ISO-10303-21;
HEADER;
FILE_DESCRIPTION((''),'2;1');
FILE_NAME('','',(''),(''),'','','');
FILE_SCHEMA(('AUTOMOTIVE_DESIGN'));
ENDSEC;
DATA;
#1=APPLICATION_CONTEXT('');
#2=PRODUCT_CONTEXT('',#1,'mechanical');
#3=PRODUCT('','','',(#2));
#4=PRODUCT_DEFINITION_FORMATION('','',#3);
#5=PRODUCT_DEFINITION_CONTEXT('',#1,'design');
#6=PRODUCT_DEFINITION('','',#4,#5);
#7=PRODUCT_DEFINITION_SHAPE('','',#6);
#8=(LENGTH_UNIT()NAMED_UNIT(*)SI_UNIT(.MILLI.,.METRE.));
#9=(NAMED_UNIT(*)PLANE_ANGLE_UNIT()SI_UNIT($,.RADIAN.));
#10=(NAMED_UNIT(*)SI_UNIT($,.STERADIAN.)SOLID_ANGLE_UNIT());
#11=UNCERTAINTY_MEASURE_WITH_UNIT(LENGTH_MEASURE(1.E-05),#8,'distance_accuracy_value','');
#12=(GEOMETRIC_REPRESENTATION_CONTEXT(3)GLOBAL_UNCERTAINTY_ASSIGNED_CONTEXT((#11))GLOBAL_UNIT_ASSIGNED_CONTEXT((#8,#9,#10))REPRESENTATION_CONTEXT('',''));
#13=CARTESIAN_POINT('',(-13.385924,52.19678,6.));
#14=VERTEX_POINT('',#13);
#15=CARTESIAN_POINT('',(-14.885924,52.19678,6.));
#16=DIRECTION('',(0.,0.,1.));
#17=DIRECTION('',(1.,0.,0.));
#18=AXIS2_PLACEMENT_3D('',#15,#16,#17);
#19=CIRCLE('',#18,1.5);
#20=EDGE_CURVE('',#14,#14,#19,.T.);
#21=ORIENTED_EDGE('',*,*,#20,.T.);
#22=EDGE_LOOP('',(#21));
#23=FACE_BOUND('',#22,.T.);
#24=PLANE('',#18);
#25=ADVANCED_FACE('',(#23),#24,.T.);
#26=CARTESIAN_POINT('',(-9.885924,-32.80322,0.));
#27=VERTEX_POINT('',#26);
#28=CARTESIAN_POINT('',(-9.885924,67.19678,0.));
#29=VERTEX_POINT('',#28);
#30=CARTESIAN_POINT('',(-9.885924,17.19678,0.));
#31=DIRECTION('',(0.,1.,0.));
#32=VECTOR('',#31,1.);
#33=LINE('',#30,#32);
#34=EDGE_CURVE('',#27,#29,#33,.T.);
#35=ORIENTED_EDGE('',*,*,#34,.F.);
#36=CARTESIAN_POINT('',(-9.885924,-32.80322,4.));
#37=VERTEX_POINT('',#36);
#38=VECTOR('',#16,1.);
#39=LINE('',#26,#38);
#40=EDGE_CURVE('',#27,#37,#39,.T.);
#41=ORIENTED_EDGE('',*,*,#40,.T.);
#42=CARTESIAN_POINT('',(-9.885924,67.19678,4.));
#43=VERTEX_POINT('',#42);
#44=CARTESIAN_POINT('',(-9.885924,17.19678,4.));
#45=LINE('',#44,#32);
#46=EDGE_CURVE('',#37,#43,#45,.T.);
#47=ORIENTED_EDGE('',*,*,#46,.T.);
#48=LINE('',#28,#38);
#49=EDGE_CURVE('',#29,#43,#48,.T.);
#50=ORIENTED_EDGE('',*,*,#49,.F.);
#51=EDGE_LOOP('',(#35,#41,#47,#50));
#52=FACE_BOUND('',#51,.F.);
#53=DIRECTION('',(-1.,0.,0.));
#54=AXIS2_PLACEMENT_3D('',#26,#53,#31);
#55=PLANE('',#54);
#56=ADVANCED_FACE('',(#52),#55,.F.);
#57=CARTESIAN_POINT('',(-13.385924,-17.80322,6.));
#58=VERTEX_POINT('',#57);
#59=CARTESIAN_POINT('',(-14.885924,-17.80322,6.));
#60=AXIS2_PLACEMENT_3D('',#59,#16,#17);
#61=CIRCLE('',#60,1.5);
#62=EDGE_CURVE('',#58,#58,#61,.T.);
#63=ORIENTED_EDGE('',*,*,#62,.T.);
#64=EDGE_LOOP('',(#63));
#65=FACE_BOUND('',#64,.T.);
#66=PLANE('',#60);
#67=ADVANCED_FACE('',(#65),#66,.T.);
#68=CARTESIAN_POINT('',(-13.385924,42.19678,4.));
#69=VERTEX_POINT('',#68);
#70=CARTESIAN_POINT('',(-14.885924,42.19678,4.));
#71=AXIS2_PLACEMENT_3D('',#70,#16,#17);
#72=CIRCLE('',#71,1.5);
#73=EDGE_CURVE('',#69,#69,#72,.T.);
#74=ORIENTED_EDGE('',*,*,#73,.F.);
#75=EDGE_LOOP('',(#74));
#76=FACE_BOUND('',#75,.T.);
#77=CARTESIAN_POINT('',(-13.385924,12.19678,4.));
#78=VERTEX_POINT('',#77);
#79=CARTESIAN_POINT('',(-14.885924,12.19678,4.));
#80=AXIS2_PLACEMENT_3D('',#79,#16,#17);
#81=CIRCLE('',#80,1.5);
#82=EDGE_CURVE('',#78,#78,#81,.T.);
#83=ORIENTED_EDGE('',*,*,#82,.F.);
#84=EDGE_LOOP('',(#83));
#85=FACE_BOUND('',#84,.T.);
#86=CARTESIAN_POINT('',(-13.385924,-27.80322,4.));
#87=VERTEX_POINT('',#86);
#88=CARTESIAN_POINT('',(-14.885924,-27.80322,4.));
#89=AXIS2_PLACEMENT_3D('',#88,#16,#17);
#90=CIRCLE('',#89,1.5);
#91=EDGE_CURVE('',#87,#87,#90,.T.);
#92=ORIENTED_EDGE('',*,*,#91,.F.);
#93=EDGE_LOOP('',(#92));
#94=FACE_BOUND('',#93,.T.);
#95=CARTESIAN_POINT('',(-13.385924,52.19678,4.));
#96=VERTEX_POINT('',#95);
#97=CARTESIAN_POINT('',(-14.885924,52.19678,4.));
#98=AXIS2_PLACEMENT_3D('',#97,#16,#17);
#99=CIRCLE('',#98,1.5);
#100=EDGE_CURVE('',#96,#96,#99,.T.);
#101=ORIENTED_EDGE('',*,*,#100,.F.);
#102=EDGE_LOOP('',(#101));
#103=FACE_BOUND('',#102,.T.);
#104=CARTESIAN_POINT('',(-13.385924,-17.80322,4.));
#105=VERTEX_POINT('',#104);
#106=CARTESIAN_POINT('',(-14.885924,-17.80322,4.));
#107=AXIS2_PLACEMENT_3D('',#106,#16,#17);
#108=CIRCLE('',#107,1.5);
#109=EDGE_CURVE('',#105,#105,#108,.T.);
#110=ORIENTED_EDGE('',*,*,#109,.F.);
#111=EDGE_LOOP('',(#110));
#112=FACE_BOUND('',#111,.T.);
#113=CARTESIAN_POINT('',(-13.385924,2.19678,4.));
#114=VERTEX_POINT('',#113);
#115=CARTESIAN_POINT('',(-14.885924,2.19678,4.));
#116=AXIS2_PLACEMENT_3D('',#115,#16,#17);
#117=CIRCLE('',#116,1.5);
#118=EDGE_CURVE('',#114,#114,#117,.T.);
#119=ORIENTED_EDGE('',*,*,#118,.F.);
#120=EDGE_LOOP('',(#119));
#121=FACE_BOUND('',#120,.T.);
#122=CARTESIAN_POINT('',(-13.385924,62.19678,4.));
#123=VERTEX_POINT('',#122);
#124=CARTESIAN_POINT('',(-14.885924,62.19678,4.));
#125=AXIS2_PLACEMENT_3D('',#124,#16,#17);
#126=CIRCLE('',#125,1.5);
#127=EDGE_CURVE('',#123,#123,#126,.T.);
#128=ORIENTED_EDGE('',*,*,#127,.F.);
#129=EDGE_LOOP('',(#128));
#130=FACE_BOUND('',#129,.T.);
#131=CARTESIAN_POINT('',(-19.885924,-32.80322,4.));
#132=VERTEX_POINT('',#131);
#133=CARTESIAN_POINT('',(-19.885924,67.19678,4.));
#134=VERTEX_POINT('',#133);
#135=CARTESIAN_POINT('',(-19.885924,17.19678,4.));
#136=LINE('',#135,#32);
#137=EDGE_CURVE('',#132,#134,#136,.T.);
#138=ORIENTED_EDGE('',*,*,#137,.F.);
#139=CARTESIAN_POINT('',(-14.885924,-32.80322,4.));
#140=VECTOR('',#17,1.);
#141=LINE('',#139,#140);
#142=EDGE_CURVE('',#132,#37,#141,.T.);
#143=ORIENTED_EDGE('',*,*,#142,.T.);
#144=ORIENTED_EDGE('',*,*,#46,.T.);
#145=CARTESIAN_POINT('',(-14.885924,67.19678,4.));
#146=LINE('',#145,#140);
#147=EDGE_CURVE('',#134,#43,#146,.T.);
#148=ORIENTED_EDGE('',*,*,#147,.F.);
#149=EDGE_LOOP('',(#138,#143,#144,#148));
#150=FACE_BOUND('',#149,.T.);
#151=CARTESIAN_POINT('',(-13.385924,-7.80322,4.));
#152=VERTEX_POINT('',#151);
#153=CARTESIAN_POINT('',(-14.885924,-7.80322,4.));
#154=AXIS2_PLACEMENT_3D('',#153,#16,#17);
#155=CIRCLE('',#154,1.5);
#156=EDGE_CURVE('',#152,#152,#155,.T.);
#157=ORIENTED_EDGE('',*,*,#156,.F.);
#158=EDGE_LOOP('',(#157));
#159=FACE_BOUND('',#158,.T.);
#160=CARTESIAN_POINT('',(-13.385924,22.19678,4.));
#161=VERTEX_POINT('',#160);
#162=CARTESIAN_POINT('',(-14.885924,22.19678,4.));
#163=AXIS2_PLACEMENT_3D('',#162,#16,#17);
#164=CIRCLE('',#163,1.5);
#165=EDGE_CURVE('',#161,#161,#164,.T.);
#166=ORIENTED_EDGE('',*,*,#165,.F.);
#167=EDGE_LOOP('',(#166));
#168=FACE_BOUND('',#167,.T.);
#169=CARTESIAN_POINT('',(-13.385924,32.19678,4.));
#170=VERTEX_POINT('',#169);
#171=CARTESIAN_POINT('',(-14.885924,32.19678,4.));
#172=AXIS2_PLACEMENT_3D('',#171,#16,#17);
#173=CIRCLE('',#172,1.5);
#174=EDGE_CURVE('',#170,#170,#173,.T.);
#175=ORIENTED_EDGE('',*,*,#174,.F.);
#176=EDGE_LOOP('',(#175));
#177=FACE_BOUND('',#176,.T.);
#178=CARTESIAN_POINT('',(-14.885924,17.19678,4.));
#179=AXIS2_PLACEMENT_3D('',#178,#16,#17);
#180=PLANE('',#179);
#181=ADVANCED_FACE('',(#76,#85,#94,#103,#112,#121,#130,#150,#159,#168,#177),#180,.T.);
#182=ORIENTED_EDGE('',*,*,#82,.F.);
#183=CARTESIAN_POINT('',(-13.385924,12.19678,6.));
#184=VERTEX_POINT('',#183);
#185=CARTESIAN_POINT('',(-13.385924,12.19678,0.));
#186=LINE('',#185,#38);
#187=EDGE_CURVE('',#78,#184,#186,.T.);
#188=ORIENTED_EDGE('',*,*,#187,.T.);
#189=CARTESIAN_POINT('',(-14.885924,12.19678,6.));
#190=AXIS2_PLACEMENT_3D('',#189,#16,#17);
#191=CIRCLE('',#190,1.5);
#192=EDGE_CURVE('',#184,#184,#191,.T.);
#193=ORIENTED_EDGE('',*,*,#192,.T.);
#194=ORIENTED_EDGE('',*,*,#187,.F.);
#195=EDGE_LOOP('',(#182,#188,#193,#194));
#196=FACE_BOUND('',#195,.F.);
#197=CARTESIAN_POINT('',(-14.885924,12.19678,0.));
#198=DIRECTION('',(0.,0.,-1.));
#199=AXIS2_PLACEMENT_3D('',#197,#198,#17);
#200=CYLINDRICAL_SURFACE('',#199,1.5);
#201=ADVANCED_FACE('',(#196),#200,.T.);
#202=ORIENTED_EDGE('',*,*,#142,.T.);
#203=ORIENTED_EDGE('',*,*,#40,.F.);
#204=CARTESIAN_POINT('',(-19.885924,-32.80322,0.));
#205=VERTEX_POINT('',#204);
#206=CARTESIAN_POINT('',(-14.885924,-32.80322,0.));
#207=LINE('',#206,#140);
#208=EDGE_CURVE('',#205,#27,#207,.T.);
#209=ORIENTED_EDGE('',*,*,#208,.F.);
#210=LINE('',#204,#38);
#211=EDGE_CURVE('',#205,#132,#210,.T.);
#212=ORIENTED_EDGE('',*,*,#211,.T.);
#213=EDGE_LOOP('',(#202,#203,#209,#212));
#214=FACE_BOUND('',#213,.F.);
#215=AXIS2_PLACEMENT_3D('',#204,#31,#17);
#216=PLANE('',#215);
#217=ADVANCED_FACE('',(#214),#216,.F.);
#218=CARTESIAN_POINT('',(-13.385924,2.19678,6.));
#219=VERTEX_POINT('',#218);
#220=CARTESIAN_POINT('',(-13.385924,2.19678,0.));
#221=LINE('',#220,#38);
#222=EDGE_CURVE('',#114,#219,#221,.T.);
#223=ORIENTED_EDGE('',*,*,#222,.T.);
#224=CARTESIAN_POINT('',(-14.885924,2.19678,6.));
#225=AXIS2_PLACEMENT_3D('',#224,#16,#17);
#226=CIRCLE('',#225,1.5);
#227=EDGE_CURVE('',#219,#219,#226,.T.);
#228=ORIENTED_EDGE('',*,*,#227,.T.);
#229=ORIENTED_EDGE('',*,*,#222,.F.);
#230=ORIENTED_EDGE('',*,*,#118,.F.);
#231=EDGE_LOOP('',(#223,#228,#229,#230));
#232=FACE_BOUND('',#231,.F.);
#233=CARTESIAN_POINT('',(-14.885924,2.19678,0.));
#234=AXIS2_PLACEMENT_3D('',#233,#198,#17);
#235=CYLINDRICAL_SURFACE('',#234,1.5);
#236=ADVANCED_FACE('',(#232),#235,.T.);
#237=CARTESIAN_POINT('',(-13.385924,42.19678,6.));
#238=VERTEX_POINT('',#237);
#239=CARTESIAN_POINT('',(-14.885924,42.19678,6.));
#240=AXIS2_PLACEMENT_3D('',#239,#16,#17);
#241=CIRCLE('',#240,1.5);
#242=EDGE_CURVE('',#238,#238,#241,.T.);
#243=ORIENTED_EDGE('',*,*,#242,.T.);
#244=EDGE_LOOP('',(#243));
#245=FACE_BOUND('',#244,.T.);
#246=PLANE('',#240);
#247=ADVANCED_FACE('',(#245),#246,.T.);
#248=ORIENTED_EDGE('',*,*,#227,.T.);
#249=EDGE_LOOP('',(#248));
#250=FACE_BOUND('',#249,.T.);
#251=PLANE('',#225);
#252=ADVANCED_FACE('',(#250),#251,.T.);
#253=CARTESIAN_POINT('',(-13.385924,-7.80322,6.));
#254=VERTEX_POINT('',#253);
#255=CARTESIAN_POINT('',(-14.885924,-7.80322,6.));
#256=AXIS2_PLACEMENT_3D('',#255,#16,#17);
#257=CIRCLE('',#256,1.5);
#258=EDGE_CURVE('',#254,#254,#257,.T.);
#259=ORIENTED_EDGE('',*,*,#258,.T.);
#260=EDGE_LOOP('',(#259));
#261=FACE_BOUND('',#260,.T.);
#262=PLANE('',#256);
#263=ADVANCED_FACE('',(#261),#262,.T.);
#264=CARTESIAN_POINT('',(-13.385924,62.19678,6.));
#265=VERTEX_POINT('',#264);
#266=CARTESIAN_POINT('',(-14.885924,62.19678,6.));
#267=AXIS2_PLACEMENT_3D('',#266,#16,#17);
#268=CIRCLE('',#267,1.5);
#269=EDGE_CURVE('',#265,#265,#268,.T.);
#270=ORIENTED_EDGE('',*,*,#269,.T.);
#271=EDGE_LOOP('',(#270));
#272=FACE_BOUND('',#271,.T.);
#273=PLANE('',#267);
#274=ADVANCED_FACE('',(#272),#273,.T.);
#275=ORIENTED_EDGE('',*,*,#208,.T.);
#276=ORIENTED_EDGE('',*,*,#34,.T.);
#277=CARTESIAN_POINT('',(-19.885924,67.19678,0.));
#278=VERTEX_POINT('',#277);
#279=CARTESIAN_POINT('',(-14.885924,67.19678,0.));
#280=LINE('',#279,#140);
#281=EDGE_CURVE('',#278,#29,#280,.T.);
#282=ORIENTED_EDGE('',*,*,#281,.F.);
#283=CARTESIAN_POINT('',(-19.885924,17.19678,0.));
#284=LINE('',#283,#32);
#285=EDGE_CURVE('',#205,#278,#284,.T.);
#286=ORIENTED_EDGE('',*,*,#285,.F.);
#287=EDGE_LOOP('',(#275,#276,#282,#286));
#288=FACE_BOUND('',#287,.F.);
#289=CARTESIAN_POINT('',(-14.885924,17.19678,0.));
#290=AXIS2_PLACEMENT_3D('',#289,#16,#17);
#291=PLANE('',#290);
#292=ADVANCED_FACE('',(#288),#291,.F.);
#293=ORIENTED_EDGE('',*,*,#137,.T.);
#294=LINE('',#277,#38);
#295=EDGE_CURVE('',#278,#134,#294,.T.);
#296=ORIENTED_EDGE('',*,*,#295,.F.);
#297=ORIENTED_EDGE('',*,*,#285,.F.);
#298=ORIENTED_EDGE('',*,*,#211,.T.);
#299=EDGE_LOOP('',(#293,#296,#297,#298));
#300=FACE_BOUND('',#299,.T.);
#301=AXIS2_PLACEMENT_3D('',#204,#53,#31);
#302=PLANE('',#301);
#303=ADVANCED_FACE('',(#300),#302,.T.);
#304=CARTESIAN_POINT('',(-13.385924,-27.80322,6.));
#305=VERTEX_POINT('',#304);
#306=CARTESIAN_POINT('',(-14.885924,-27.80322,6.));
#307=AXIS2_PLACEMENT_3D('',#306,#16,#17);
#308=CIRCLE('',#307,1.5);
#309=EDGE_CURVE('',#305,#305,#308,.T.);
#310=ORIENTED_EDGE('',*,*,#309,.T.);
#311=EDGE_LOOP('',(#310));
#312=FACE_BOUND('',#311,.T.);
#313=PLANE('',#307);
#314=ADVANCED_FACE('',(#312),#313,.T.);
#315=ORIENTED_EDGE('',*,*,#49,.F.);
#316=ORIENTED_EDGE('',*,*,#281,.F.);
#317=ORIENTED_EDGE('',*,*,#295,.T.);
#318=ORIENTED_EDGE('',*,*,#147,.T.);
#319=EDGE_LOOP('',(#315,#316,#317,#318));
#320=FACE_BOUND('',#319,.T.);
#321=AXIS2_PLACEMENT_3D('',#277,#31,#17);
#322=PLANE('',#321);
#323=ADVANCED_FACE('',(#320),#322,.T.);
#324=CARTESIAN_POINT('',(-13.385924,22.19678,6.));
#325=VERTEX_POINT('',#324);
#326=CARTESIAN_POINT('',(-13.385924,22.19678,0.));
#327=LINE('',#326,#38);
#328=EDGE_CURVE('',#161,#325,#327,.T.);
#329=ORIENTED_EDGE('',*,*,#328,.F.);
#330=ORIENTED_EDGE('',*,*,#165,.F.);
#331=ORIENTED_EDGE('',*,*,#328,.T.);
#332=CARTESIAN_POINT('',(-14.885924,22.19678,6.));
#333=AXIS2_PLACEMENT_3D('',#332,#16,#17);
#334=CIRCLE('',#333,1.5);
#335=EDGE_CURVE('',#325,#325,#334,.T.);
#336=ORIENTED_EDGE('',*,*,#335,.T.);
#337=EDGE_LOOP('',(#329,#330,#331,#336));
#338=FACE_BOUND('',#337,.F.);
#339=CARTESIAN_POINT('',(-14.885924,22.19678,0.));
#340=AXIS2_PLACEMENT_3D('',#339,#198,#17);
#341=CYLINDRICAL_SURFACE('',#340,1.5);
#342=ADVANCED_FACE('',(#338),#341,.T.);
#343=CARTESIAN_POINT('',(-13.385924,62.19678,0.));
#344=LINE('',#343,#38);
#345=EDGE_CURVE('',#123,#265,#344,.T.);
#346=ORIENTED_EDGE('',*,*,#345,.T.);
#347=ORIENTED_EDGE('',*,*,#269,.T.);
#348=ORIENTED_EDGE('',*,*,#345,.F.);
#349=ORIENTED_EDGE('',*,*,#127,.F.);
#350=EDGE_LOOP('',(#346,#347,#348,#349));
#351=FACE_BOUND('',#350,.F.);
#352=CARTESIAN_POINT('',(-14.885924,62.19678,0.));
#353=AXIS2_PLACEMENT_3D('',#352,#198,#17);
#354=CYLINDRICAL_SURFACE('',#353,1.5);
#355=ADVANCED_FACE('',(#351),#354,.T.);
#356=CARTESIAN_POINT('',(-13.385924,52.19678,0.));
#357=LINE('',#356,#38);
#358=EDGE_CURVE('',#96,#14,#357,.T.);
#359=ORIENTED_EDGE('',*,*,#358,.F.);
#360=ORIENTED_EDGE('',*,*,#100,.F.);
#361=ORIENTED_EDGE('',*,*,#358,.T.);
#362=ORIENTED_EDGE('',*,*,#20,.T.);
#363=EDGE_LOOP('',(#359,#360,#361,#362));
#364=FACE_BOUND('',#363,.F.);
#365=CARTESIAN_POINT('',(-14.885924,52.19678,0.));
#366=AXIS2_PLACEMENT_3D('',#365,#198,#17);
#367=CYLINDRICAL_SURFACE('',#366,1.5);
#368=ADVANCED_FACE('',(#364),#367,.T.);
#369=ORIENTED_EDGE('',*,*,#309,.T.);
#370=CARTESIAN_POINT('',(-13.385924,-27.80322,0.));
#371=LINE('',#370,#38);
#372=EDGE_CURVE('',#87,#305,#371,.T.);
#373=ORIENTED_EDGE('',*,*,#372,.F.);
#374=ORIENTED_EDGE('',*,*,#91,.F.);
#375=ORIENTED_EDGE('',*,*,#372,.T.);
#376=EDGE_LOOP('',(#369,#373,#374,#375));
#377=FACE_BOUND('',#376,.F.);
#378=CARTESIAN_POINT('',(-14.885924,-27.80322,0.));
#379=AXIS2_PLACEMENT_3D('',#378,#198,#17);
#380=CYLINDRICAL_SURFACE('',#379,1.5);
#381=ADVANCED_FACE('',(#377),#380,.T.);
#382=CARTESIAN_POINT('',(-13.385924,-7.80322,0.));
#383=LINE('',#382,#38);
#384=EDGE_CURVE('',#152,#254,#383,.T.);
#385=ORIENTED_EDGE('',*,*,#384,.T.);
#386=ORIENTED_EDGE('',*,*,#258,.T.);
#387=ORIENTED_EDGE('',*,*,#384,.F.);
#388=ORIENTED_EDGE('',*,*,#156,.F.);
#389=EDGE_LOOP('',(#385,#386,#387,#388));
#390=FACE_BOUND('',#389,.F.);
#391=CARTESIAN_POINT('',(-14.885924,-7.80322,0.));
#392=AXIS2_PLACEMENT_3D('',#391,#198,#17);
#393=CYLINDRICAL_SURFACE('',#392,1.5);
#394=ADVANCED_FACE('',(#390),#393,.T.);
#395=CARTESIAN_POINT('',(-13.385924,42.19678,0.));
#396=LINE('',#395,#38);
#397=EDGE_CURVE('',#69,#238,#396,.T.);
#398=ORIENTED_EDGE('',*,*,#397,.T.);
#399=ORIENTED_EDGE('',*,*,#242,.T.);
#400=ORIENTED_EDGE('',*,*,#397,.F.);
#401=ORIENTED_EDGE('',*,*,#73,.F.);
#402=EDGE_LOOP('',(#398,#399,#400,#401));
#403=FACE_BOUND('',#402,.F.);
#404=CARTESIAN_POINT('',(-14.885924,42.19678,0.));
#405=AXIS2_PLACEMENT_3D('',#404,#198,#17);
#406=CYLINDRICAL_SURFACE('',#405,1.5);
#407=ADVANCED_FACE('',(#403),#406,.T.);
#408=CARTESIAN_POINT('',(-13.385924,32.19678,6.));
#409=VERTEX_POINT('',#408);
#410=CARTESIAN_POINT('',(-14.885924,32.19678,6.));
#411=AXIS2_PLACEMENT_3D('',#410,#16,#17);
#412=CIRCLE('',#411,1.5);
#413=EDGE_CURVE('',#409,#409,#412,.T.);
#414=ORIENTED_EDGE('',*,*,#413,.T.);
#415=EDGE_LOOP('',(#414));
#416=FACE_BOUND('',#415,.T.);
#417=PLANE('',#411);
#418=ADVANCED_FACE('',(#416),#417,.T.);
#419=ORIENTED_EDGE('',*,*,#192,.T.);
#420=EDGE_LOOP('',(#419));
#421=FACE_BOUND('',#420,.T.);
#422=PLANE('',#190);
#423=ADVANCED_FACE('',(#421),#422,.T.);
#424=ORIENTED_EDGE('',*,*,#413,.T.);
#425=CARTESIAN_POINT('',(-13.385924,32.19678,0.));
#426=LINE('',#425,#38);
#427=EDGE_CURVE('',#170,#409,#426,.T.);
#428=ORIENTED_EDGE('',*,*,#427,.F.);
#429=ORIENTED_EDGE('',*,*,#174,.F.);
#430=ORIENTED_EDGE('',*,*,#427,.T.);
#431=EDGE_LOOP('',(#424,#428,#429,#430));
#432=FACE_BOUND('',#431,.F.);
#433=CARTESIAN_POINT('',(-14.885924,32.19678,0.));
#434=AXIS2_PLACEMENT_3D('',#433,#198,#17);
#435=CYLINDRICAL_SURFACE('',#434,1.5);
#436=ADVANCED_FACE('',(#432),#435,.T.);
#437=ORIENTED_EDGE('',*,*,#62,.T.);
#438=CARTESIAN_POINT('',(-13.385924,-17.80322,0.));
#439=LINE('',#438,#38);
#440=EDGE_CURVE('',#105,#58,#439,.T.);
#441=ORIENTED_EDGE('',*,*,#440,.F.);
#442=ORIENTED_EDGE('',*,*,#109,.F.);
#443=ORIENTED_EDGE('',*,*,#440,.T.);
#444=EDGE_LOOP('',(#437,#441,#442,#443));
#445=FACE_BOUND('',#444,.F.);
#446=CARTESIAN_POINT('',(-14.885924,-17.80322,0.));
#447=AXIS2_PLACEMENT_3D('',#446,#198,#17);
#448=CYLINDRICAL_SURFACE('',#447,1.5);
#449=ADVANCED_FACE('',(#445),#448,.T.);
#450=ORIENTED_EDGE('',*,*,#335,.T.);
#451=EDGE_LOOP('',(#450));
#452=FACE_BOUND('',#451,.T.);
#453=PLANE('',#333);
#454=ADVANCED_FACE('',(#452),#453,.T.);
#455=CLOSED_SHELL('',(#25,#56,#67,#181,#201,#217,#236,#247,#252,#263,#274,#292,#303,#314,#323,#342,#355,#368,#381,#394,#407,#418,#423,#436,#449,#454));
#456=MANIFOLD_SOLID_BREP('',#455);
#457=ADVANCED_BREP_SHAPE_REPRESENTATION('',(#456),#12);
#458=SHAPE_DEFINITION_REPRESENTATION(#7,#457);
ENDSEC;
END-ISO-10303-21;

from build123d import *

# Parameters (mm, degrees)
F0_R     = 1.5
F1_DEPTH = 6
F0_W     = 10
F0_H     = 100
F2_DEPTH = 4


with BuildPart() as f1:
    # F0 (on Top) → F1 (new body)
    with BuildSketch(Plane.XY):
        with Locations((-14.885924, 62.19678)):
            Circle(F0_R)
        with Locations((-14.885924, 52.19678)):
            Circle(F0_R)
        with Locations((-14.885924, -17.80322)):
            Circle(F0_R)
        with Locations((-14.885924, -27.80322)):
            Circle(F0_R)
        with Locations((-14.885924, 42.19678)):
            Circle(F0_R)
        with Locations((-14.885924, 12.19678)):
            Circle(F0_R)
        with Locations((-14.885924, -7.80322)):
            Circle(F0_R)
        with Locations((-14.885924, 32.19678)):
            Circle(F0_R)
        with Locations((-14.885924, 22.19678)):
            Circle(F0_R)
        with Locations((-14.885924, 2.19678)):
            Circle(F0_R)
    extrude(amount=F1_DEPTH)

    # F0 (on Top) → F2 (join)
    with BuildSketch(Plane.XY):
        with Locations((-14.885924, 17.19678)):
            Rectangle(F0_W, F0_H)
        with Locations((-14.885924, -17.80322)):
            Circle(F0_R, mode=Mode.SUBTRACT)
        with Locations((-14.885924, -7.80322)):
            Circle(F0_R, mode=Mode.SUBTRACT)
        with Locations((-14.885924, 2.19678)):
            Circle(F0_R, mode=Mode.SUBTRACT)
        with Locations((-14.885924, 12.19678)):
            Circle(F0_R, mode=Mode.SUBTRACT)
        with Locations((-14.885924, -27.80322)):
            Circle(F0_R, mode=Mode.SUBTRACT)
        with Locations((-14.885924, 22.19678)):
            Circle(F0_R, mode=Mode.SUBTRACT)
        with Locations((-14.885924, 32.19678)):
            Circle(F0_R, mode=Mode.SUBTRACT)
        with Locations((-14.885924, 42.19678)):
            Circle(F0_R, mode=Mode.SUBTRACT)
        with Locations((-14.885924, 52.19678)):
            Circle(F0_R, mode=Mode.SUBTRACT)
        with Locations((-14.885924, 62.19678)):
            Circle(F0_R, mode=Mode.SUBTRACT)
    extrude(amount=F2_DEPTH)


solid = f1.part
